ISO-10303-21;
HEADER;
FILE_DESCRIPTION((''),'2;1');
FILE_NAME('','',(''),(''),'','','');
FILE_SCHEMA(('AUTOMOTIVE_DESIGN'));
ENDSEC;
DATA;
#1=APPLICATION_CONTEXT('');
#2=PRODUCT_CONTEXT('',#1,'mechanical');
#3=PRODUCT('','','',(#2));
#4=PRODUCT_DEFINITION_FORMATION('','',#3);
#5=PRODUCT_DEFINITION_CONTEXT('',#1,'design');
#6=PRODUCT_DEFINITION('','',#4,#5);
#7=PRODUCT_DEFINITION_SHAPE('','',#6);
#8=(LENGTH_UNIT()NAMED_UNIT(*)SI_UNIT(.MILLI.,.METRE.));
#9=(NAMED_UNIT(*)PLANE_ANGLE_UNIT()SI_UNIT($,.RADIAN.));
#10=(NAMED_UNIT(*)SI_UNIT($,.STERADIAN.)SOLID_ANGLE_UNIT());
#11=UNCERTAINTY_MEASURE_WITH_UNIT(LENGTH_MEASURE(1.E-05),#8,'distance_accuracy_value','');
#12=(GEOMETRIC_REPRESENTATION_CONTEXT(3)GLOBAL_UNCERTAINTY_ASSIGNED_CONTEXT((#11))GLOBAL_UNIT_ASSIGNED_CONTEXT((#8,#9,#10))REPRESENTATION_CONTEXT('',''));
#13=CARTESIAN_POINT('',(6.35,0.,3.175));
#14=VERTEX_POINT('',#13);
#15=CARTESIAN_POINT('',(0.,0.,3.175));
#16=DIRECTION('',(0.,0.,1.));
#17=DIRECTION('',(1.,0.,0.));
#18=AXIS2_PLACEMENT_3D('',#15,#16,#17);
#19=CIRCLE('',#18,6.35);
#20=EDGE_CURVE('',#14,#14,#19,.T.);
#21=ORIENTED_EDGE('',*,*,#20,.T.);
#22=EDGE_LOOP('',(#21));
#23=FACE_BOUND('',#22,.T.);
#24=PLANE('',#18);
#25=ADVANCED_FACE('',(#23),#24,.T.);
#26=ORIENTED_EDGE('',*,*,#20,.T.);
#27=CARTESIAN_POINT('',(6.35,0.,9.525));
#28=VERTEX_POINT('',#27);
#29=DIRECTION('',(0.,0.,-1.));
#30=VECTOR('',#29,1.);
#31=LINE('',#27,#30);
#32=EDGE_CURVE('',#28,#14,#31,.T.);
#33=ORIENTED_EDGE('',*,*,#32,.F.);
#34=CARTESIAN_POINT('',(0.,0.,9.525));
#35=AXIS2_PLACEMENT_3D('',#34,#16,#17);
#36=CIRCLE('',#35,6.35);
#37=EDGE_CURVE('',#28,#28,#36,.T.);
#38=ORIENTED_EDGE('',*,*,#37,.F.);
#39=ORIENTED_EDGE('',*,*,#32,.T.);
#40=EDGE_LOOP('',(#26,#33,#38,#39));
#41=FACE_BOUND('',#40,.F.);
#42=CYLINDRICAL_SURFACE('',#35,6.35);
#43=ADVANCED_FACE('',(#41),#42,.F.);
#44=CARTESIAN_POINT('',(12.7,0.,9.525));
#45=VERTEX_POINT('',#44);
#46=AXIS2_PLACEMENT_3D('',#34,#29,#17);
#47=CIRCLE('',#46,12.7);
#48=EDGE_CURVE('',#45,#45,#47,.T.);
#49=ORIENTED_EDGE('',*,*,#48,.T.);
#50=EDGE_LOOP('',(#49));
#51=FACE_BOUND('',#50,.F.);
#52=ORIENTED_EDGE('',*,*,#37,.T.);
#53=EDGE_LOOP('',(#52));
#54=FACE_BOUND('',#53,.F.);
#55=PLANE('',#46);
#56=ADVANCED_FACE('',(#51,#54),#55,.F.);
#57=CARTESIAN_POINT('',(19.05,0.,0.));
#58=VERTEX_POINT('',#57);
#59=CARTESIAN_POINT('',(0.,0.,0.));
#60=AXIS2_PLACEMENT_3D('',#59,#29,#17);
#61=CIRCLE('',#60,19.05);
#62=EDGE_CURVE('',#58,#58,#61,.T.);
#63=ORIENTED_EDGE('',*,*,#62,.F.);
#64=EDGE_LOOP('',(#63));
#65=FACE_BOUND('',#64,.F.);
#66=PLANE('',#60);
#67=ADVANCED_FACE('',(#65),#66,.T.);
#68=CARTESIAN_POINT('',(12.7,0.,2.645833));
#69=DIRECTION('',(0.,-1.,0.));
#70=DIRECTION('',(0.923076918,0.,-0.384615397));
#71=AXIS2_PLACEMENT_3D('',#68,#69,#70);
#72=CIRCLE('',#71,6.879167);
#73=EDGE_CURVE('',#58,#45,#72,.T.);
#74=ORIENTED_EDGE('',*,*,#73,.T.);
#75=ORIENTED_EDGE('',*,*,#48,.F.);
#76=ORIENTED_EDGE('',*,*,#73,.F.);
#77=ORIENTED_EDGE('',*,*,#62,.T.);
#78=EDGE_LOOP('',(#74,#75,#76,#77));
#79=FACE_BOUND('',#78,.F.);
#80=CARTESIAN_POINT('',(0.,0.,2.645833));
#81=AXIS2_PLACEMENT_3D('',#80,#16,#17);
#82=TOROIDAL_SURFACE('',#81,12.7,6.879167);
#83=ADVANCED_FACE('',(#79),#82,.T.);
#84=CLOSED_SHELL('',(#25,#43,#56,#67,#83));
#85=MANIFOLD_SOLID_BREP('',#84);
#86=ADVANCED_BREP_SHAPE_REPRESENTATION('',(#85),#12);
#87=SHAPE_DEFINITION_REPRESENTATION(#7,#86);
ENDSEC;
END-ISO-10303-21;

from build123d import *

# Parameters (mm, degrees)
F2_R     = 6.35
F3_DEPTH = 6.35


with BuildPart() as f1:
    # F0 (on Front) → F1 (revolve)
    with BuildSketch(Plane.XZ):
        with BuildLine():
            Line((0, 9.525), (0, 0))
            Line((0, 0), (19.05, 0))
            ThreePointArc((19.05, 0), (18.423813, 6.461708), (12.7, 9.525))
            Line((12.7, 9.525), (0, 9.525))
        make_face()
    revolve(axis=Axis((0, 0, 2.139305), (0, 0, -1)))

    # F2 (on face) → F3 (cut)
    with BuildSketch(Plane.XY.offset(9.525)):
        Circle(F2_R)
    extrude(amount=-F3_DEPTH, mode=Mode.SUBTRACT)


solid = f1.part
